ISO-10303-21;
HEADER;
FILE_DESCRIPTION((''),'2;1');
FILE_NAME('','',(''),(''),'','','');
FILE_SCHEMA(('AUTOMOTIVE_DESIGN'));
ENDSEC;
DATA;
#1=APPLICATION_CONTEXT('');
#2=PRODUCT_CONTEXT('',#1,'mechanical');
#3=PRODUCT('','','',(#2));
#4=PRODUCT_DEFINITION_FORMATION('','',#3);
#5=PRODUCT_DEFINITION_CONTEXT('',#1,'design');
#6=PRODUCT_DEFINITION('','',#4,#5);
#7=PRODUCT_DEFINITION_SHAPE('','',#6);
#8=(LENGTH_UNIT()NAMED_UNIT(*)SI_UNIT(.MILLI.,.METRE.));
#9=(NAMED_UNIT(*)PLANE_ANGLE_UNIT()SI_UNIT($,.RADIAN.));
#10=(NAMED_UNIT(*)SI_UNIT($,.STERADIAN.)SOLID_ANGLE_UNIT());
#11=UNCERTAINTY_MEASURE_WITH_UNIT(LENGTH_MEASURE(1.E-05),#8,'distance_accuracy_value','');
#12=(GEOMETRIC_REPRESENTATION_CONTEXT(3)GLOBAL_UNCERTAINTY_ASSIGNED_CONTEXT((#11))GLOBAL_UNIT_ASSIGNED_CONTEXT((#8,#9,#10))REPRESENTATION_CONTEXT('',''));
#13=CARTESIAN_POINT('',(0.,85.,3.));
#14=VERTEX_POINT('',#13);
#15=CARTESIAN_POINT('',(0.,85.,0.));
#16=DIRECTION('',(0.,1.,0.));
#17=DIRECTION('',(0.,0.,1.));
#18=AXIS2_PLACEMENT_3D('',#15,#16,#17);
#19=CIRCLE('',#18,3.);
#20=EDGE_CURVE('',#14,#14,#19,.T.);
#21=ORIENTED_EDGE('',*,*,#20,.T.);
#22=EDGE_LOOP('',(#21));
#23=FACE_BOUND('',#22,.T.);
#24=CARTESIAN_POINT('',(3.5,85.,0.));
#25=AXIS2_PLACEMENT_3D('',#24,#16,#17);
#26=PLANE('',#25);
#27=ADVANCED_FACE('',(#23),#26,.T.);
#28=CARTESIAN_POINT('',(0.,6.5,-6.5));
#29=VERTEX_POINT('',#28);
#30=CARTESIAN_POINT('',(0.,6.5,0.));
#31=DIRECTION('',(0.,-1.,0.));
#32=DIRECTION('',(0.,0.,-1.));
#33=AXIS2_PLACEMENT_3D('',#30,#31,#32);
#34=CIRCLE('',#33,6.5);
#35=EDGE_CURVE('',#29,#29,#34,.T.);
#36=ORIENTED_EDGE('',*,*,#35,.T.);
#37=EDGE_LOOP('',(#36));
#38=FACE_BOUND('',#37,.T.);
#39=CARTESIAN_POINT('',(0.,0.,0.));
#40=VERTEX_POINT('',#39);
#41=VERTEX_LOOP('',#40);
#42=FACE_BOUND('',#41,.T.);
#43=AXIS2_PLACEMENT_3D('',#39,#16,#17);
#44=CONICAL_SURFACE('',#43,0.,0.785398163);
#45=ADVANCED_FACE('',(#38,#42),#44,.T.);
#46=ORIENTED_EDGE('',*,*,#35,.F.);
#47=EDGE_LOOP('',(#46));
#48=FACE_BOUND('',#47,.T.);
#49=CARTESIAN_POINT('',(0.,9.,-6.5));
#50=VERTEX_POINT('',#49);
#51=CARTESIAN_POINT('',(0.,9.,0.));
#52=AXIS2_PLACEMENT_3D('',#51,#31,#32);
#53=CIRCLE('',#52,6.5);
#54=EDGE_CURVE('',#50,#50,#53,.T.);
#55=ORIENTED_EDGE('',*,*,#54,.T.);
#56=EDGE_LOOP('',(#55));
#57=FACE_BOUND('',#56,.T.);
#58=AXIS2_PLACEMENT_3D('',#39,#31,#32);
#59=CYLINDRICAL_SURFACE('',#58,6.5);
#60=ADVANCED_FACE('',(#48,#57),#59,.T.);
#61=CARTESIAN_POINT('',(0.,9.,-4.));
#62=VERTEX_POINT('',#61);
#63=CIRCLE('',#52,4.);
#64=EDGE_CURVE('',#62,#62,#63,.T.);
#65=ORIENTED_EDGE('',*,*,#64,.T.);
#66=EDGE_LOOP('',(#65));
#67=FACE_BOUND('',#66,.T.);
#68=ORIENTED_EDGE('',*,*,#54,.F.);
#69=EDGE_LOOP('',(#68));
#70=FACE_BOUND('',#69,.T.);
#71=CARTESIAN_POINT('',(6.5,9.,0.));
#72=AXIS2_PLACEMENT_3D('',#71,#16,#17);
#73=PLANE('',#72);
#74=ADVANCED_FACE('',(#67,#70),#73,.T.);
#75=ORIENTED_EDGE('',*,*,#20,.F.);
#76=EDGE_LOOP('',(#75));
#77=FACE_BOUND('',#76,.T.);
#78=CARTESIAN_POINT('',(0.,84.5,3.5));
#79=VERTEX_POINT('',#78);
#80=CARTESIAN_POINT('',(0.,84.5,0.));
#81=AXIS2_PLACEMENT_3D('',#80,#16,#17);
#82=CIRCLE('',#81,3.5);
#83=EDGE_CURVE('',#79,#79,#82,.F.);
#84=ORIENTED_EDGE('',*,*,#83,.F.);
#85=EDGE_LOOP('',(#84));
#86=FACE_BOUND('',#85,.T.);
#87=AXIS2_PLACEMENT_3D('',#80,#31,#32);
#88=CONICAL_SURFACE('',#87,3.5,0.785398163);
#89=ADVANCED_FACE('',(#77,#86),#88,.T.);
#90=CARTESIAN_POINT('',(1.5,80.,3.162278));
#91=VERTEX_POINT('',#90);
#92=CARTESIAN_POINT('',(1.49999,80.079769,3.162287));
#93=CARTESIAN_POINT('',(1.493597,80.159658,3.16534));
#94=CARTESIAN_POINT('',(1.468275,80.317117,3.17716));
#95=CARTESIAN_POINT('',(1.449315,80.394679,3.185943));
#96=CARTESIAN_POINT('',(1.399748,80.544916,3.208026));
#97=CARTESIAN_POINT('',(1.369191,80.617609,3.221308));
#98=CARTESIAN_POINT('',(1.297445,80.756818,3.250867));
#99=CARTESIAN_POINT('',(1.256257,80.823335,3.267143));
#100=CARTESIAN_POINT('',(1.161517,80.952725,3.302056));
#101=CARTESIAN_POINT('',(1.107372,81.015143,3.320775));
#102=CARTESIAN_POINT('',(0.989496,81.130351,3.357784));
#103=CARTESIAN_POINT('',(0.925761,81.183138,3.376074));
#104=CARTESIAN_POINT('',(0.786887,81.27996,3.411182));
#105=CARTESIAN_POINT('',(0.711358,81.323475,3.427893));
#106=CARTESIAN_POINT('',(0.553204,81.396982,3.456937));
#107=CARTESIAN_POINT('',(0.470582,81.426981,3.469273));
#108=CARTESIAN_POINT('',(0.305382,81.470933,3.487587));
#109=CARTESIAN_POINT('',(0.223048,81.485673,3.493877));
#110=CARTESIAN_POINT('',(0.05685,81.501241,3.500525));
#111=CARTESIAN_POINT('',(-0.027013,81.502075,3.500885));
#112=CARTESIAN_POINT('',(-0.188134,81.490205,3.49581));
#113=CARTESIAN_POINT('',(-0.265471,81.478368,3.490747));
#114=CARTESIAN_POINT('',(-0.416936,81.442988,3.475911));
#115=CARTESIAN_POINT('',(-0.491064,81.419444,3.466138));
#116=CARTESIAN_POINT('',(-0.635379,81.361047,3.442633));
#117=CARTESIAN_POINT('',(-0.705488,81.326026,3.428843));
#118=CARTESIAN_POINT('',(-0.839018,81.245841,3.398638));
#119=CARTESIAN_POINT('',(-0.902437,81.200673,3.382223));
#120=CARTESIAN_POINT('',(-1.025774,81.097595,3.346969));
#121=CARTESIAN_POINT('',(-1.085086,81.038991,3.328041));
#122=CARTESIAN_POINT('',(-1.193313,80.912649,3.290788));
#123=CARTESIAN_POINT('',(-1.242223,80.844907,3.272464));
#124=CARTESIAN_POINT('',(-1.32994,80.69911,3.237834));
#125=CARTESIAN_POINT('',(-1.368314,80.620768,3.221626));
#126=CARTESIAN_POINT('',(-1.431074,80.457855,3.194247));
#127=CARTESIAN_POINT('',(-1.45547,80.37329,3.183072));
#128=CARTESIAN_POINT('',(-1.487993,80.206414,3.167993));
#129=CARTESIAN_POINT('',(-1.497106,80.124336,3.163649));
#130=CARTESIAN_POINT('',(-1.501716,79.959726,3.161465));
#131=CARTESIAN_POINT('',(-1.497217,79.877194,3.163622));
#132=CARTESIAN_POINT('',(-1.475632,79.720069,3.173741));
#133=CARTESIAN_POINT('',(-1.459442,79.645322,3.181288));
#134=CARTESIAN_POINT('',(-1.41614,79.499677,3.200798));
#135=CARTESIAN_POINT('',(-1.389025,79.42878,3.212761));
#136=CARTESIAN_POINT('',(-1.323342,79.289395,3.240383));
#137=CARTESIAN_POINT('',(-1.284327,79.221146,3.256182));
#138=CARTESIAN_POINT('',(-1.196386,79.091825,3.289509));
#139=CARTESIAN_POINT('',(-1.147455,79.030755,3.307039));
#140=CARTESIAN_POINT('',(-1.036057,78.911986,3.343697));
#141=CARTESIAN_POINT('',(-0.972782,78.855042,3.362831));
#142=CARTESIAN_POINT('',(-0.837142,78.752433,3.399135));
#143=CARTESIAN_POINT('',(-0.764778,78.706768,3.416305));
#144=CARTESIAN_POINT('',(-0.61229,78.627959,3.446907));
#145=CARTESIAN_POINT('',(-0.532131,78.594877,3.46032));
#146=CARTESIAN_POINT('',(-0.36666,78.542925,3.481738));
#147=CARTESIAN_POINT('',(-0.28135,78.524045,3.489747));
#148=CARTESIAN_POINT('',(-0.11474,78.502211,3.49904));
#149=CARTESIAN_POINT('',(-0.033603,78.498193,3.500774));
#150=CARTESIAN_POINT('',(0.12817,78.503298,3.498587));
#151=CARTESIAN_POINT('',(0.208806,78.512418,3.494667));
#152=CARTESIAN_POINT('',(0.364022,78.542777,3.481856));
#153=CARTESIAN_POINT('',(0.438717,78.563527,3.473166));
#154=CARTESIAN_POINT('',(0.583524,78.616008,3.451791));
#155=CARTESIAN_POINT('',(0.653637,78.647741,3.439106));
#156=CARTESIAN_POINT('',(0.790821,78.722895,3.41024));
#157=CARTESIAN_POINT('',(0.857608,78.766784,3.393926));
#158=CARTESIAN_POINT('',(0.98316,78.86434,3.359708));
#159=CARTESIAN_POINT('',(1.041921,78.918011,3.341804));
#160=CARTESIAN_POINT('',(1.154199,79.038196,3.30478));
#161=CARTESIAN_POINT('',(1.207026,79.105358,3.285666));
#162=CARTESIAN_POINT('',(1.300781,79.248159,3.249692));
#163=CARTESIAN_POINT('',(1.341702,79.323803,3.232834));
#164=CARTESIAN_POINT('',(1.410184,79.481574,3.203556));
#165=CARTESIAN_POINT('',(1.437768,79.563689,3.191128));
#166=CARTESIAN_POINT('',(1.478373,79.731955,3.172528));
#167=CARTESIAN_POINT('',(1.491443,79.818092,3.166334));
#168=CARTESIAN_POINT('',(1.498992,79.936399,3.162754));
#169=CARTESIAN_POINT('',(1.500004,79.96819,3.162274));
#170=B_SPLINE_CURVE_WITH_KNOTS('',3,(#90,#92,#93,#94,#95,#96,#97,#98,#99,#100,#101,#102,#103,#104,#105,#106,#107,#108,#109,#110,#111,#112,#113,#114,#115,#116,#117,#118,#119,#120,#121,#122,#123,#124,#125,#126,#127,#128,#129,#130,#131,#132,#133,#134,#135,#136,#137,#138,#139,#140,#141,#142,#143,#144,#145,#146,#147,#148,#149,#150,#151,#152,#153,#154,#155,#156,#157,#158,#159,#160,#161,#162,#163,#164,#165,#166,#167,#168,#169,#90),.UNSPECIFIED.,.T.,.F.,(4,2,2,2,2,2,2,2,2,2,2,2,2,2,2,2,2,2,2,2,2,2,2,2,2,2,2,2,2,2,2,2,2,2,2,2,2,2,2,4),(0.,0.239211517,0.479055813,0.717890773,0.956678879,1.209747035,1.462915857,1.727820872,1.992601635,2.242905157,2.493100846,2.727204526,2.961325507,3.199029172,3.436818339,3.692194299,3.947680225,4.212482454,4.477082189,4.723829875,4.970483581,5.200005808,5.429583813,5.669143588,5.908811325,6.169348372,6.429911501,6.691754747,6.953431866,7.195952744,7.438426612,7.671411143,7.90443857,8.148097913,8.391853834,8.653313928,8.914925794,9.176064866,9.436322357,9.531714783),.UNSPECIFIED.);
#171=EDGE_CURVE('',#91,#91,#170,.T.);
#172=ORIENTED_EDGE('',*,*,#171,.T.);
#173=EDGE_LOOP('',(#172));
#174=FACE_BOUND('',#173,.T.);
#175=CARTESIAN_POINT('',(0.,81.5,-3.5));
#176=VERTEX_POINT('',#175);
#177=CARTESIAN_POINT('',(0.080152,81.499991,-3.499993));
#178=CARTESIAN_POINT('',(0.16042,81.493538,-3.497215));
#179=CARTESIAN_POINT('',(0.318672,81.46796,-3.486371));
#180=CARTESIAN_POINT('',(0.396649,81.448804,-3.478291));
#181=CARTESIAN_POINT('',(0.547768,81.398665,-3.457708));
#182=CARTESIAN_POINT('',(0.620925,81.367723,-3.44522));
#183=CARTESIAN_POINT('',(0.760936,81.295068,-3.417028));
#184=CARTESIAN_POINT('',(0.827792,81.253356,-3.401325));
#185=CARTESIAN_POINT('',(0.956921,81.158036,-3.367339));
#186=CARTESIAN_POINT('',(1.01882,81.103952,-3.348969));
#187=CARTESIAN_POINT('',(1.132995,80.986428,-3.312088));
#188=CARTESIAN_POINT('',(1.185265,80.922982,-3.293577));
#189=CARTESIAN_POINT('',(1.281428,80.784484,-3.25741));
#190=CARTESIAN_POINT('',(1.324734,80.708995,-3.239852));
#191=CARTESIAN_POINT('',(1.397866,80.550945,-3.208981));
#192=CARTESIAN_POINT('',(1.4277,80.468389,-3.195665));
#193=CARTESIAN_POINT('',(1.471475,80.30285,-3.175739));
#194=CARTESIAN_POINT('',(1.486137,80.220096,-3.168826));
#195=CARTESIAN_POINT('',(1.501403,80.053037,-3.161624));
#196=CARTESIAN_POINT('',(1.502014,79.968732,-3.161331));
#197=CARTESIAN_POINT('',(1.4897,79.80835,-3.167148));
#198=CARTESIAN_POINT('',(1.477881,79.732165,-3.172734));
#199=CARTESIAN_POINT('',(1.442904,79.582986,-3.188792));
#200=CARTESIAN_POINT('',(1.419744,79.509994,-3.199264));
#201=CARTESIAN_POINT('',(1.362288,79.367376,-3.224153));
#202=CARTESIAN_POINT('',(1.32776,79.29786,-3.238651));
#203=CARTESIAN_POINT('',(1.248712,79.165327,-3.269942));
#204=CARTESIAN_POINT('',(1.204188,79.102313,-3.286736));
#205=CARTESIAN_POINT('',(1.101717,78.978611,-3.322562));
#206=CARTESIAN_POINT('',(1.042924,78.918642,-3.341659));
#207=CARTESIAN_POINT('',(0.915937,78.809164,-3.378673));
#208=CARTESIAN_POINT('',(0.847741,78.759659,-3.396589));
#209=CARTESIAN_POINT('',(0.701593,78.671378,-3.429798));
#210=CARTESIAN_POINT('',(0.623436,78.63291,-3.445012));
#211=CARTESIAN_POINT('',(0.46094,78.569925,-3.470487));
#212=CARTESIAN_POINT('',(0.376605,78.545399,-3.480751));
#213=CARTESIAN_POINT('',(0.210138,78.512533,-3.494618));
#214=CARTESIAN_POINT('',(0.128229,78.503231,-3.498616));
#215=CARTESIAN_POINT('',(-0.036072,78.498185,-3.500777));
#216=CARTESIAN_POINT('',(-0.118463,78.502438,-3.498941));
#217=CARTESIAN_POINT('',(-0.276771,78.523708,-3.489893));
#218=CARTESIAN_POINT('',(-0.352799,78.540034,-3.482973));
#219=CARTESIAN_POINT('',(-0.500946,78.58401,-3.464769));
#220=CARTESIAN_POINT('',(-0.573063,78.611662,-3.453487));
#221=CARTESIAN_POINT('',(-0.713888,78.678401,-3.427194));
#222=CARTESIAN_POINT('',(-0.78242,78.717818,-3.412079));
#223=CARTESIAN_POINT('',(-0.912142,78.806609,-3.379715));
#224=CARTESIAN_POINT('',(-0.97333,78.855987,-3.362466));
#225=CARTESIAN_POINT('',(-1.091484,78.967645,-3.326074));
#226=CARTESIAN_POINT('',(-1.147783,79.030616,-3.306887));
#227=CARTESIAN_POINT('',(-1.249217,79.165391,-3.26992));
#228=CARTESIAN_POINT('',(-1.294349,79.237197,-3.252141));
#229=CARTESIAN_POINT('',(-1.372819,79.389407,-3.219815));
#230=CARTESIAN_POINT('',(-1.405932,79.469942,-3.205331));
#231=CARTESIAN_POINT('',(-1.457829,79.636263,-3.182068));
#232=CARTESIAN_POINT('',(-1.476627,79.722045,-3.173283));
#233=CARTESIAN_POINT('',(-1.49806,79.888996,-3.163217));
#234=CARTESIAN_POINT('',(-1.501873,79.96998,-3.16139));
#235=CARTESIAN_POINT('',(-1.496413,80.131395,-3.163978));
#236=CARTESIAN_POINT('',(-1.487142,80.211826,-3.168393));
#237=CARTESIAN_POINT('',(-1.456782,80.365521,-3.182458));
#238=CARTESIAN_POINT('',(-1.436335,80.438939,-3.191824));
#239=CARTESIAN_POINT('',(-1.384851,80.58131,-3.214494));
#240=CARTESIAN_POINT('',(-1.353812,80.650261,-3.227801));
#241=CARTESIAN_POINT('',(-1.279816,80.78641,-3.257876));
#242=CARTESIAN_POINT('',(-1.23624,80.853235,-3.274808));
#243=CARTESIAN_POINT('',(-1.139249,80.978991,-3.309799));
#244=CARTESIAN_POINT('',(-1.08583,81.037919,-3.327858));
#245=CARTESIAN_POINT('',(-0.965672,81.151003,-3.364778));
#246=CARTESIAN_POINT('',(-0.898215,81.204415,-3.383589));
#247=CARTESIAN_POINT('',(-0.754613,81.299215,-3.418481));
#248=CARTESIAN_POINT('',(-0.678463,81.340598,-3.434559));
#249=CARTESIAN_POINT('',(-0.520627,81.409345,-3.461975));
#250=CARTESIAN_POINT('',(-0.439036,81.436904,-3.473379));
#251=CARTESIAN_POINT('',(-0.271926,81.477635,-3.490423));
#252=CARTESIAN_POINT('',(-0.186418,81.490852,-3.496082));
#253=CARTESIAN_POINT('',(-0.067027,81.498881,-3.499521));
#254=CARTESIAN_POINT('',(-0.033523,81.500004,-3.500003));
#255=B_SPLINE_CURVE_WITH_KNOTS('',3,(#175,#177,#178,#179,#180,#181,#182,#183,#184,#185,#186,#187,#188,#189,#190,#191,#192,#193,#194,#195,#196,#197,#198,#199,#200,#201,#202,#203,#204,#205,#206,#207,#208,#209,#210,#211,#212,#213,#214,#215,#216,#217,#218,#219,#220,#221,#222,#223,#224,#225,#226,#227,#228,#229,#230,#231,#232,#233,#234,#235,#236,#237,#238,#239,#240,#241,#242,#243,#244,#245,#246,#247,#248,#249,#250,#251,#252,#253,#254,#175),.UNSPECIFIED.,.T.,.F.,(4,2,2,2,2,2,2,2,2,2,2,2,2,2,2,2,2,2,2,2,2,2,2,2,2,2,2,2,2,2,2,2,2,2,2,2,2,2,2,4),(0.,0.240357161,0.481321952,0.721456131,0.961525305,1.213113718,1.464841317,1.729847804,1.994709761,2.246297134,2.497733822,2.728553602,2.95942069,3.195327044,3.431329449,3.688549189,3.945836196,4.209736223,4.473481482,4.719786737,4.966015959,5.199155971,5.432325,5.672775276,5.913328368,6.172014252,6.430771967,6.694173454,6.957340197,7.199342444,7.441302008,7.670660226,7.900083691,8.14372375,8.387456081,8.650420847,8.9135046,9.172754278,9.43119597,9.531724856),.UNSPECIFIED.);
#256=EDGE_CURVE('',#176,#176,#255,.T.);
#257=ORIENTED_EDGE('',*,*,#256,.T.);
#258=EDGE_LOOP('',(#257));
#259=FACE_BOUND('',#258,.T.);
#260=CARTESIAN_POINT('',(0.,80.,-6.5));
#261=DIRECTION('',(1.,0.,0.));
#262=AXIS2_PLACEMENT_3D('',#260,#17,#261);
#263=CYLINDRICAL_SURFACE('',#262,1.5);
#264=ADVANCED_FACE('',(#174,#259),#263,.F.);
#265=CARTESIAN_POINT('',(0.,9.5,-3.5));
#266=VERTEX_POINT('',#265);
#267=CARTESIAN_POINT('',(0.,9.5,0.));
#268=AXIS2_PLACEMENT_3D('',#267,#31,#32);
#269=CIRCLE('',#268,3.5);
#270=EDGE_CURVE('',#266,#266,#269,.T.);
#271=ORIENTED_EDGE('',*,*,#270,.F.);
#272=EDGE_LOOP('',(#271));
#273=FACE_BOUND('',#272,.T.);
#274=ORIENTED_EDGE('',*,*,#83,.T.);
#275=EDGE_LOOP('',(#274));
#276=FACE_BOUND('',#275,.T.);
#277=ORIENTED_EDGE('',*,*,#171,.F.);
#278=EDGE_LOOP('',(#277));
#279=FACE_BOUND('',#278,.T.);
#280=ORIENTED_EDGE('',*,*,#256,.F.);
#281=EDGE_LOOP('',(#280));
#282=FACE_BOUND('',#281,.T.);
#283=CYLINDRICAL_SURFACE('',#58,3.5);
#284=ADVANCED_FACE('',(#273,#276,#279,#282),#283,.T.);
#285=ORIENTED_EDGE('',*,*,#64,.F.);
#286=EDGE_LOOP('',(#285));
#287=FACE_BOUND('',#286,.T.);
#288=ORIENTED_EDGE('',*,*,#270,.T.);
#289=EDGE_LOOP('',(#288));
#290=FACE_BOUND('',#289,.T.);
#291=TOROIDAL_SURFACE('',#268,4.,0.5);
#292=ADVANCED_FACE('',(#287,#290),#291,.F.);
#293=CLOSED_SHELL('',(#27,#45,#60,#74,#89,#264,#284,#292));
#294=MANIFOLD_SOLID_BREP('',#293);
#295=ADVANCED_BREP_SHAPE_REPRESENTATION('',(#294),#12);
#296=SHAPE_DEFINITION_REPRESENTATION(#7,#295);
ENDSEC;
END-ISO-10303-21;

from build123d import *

# Parameters (mm, degrees)
SZKIC2_R                        = 1.5
WYTNIJ_WYCI_GNI_CIE1_DEPTH      = 7.5
WYTNIJ_WYCI_GNI_CIE1_DEPTH_BACK = 7.5
SFAZOWANIE4_SIZE                = 0.5


with BuildPart() as part:
    # Szkic1 → Obrót2 (revolve)
    with BuildSketch(Plane.XY):
        with BuildLine():
            Line((0, 0), (6.5, 6.5))
            Line((6.5, 6.5), (6.5, 9))
            Line((6.5, 9), (4, 9))
            ThreePointArc((4, 9), (3.646446609, 9.146446609), (3.5, 9.5))
            Line((3.5, 9.5), (3.5, 85))
            Line((3.5, 85), (0, 85))
            Line((0, 85), (0, 0))
        make_face()
    revolve(axis=Axis((0, 0, 0), (0, 1, 0)))

    # Szkic2 → Wytnij-wyciągnięcie1 (cut, two sides)
    with BuildSketch(Plane.XY) as wytnij_wyci_gni_cie1_sk:
        with Locations((0, 80)):
            Circle(SZKIC2_R)
    extrude(amount=WYTNIJ_WYCI_GNI_CIE1_DEPTH, mode=Mode.SUBTRACT)
    extrude(wytnij_wyci_gni_cie1_sk.sketch, amount=-WYTNIJ_WYCI_GNI_CIE1_DEPTH_BACK, mode=Mode.SUBTRACT)

    # Sfazowanie4
    sfazowanie4_edges = [part.edges().sort_by_distance(p)[0] for p in [
        (-3.5, 85, 0),
    ]]
    chamfer(sfazowanie4_edges, length=SFAZOWANIE4_SIZE)


solid = part.part
